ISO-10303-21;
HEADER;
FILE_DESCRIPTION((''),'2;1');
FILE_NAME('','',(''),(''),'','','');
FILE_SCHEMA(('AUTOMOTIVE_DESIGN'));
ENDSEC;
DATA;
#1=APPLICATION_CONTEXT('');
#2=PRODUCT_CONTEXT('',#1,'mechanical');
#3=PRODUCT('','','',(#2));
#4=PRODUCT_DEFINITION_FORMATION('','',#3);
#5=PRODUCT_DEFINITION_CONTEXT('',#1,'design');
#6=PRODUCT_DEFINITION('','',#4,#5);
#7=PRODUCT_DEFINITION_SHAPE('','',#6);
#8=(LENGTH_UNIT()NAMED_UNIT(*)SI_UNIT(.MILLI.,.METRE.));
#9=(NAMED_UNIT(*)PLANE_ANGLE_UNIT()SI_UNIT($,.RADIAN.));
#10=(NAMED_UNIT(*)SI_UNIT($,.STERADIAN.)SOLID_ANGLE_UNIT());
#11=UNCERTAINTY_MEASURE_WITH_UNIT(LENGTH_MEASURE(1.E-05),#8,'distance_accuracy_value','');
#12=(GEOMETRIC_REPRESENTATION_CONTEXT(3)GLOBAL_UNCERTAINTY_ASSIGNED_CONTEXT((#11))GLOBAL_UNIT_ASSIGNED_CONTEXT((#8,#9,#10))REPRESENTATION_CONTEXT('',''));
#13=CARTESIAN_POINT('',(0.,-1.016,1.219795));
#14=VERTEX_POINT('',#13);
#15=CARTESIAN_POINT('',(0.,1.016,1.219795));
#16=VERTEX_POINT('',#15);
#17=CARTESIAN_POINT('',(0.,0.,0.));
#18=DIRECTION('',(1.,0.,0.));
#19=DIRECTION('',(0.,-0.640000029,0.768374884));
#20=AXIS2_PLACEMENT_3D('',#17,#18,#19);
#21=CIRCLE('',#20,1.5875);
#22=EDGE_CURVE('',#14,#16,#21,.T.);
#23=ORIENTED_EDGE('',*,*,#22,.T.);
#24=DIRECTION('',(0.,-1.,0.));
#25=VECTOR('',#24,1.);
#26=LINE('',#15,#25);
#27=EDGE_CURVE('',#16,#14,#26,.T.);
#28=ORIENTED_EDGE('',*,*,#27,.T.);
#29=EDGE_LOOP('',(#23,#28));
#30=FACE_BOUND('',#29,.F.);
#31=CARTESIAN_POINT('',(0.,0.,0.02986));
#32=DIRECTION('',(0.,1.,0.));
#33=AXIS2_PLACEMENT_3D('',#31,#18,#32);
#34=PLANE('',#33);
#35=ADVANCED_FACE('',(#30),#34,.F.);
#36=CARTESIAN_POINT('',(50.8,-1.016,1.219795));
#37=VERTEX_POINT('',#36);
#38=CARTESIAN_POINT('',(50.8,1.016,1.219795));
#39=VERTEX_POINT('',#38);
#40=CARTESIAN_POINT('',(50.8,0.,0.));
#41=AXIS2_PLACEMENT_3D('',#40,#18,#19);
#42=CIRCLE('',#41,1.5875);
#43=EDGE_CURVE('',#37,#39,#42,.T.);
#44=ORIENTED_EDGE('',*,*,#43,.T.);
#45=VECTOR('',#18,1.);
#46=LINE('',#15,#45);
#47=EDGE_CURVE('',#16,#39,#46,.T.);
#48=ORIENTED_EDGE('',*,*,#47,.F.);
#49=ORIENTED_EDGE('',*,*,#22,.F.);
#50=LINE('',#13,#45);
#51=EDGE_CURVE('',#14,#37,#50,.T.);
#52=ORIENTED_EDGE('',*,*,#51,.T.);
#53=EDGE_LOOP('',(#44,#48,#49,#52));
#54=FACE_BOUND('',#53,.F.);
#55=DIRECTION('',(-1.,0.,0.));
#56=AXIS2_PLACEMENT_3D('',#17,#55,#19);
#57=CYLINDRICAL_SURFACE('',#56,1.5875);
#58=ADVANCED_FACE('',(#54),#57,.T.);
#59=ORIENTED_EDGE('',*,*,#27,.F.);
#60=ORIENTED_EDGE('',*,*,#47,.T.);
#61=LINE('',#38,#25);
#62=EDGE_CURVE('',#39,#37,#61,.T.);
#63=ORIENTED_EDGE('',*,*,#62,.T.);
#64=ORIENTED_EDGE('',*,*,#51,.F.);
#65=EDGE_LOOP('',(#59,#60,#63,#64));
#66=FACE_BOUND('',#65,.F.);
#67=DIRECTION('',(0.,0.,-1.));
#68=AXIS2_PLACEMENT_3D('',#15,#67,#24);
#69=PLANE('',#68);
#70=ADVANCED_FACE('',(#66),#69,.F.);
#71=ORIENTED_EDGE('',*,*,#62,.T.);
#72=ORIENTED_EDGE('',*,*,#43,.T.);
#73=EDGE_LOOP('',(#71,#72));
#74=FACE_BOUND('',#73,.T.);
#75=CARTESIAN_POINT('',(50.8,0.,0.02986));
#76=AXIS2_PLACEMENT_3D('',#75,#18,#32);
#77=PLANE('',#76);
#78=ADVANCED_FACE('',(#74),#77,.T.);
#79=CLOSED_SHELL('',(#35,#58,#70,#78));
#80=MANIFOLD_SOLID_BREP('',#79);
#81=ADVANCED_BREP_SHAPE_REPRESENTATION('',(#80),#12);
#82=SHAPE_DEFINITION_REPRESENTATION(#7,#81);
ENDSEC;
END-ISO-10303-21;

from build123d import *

# Parameters (mm, degrees)
F1_DEPTH = 50.8


with BuildPart() as f1:
    # F0 (on Right) → F1 (new body)
    with BuildSketch(Plane.YZ):
        with BuildLine():
            Line((1.016, 1.219795), (-1.016, 1.219795))
            ThreePointArc((-1.016, 1.219795), (0, -1.5875), (1.016, 1.219795))
        make_face()
    extrude(amount=F1_DEPTH)


solid = f1.part
